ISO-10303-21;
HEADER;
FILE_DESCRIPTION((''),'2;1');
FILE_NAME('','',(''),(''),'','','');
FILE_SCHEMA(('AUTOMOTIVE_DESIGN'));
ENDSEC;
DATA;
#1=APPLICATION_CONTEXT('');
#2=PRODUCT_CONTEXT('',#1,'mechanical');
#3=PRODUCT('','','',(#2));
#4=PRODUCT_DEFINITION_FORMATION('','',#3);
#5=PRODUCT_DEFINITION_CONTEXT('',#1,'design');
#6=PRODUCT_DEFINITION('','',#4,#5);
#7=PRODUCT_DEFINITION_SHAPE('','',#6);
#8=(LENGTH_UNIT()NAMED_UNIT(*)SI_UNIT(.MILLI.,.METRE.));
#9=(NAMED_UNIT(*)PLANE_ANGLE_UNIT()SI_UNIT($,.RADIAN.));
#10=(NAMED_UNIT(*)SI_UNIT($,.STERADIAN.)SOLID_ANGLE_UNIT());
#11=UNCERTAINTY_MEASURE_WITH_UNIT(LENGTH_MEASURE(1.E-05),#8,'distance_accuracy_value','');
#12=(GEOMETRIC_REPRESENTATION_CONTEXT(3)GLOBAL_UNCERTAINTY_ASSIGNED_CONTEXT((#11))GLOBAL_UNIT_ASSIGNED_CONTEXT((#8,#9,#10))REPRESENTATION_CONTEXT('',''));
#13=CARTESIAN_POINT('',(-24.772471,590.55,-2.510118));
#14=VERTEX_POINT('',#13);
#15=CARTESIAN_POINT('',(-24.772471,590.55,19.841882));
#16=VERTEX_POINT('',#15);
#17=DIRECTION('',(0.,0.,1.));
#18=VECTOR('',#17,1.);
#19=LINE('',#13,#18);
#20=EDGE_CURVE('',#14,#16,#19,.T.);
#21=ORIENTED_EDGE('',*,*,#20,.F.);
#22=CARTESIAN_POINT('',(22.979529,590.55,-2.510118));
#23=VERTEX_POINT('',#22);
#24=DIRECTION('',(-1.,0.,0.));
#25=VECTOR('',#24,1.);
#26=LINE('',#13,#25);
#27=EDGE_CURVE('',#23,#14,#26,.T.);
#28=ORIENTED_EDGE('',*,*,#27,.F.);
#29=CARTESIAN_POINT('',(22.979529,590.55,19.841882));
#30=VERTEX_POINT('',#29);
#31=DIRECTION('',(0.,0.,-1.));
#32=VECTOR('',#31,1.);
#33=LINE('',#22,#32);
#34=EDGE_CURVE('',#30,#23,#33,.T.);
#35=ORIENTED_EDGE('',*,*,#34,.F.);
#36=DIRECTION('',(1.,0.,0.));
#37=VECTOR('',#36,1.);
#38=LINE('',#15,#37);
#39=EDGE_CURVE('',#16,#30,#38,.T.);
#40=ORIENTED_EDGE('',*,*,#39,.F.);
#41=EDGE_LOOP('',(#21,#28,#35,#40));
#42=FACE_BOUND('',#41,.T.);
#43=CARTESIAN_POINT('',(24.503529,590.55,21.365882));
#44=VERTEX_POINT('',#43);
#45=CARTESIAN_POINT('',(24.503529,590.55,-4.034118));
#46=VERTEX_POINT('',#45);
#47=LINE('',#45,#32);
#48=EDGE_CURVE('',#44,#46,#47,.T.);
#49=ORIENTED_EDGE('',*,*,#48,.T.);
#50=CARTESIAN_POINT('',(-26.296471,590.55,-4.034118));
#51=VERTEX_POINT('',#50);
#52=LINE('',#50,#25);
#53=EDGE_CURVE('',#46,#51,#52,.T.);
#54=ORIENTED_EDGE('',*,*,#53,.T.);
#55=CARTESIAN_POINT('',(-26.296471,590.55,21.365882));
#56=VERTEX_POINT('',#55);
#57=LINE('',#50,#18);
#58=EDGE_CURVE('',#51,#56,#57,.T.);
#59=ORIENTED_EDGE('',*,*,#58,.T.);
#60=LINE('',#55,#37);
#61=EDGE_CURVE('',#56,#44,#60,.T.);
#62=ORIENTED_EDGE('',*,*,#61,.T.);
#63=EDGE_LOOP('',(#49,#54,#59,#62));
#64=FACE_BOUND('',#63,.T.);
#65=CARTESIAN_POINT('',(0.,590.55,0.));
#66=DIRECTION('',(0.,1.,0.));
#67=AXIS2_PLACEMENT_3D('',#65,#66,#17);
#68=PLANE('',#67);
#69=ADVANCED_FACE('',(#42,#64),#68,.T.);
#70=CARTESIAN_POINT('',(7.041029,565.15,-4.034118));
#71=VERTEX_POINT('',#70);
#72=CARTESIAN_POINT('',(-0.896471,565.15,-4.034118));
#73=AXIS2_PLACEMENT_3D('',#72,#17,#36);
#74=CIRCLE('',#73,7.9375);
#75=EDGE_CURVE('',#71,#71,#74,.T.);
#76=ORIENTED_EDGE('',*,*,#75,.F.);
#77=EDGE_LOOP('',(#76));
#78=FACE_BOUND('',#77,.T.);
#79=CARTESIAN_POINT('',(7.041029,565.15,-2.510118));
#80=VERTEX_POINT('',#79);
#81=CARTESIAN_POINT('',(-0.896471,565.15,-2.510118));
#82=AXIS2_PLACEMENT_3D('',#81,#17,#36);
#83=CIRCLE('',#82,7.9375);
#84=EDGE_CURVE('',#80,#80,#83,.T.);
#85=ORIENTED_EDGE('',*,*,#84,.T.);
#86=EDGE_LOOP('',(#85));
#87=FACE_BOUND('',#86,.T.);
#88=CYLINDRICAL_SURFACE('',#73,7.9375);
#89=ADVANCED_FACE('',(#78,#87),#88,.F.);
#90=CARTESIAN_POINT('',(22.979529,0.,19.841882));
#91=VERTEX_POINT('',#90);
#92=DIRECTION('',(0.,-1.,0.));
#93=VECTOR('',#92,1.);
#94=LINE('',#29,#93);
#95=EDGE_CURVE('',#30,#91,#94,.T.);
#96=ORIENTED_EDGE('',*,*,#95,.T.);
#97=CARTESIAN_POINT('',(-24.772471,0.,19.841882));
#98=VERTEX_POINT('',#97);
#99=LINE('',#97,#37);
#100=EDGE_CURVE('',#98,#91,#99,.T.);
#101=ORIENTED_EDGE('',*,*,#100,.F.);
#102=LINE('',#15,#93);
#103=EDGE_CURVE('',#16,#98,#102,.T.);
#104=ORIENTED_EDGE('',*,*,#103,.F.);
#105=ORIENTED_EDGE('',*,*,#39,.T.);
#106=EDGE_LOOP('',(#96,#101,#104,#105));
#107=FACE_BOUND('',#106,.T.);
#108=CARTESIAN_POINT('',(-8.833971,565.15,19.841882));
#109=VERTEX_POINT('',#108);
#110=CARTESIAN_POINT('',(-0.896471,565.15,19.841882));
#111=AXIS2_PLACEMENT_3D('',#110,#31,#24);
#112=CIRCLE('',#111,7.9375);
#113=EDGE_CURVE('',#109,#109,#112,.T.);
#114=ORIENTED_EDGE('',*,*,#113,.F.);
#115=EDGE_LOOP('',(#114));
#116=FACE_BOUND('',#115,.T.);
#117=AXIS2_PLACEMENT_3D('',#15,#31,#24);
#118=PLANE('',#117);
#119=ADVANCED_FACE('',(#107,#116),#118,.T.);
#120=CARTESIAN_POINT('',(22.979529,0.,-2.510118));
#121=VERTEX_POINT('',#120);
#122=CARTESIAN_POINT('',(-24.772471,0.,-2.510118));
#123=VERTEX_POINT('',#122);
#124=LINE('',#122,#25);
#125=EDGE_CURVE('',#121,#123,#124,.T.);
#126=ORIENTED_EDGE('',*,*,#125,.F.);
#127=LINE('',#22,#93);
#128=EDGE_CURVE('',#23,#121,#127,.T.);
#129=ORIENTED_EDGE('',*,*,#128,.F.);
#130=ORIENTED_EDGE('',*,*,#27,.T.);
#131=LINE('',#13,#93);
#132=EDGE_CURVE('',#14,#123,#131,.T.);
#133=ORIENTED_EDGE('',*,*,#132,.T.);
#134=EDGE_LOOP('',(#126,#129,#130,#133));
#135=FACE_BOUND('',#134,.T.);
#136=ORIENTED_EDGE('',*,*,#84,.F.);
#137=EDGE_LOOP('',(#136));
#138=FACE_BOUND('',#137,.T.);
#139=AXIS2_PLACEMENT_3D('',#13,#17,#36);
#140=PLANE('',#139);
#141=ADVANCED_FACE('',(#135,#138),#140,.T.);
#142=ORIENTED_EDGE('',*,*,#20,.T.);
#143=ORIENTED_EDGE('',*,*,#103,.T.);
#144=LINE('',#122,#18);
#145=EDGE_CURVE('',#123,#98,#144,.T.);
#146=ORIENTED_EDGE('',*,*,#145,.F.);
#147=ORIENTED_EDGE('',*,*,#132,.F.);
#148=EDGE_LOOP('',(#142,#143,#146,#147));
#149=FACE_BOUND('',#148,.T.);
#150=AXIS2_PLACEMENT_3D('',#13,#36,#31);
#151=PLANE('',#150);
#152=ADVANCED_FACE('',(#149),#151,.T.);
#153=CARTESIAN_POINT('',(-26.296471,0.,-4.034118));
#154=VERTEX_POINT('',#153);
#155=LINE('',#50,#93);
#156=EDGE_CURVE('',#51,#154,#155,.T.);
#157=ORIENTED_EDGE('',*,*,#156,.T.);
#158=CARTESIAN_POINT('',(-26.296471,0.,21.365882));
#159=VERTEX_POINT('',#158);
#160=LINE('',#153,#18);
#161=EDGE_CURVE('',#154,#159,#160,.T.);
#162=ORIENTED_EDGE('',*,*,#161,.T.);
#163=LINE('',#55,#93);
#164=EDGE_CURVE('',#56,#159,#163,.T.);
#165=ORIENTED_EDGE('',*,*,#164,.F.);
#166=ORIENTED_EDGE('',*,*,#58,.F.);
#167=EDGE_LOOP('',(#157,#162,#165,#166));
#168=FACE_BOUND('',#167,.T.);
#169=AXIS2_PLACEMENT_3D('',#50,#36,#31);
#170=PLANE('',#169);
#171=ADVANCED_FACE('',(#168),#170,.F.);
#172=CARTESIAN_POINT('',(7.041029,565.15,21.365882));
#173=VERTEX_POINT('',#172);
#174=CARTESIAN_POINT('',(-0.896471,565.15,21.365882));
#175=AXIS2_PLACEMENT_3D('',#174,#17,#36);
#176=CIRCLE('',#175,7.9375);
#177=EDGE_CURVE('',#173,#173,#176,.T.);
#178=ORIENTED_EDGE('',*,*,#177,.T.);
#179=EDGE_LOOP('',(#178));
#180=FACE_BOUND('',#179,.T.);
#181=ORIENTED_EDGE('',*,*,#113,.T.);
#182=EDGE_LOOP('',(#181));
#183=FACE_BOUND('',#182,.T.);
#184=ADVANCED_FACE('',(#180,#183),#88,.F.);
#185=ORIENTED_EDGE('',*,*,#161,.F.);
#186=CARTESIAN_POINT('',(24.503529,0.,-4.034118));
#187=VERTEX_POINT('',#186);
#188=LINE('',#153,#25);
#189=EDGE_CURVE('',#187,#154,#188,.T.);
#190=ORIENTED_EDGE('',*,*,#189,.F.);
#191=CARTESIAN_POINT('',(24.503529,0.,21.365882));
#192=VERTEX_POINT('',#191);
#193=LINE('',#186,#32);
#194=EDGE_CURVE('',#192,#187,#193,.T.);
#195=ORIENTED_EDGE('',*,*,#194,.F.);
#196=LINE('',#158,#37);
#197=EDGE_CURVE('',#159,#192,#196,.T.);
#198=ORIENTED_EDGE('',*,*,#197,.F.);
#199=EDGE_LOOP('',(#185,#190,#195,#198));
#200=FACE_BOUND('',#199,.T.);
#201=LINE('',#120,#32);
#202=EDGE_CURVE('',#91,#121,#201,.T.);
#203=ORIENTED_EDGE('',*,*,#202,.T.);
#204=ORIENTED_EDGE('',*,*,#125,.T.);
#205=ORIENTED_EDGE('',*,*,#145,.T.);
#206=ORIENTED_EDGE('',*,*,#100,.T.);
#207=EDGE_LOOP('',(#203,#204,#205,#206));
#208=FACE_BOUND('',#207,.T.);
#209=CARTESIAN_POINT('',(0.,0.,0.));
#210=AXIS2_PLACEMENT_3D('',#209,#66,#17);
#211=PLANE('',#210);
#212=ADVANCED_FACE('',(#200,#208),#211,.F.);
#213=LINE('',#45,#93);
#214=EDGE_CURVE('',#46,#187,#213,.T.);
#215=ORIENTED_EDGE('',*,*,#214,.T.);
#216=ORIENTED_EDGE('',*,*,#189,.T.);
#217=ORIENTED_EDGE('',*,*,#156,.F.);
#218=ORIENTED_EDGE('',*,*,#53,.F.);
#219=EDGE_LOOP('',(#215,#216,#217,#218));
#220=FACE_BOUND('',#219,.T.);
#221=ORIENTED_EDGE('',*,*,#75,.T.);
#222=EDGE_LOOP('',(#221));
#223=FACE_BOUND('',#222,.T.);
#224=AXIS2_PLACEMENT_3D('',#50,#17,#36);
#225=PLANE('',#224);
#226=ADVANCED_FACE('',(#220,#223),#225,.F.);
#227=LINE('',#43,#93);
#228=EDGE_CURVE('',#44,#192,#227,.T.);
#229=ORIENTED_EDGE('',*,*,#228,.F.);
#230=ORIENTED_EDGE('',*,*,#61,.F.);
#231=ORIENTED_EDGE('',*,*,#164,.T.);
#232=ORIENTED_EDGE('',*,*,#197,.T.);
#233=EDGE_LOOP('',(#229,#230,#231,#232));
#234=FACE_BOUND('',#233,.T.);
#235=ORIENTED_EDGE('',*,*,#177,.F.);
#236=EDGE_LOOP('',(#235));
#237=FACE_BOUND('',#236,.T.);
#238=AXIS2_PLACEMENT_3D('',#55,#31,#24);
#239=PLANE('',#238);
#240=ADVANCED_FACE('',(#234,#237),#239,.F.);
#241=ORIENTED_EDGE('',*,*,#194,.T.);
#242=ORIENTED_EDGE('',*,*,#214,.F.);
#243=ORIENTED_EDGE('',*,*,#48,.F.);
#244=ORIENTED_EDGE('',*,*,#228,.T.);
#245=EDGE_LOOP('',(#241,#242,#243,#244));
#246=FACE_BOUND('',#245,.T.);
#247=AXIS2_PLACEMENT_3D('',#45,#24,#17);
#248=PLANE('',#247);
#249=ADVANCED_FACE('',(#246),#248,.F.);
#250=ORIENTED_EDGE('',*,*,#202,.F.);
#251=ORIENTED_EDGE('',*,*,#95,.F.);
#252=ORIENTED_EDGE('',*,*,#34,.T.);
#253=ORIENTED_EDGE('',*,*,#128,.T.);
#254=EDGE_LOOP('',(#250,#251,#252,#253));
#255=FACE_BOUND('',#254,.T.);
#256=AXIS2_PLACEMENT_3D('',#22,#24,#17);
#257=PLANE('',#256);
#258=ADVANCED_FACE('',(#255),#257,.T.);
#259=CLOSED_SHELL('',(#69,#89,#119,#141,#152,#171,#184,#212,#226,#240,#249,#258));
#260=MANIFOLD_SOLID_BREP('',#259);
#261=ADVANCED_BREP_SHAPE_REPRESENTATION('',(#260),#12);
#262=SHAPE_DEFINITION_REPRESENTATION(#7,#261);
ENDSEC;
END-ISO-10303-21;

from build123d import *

# Parameters (mm, degrees)
SKETCH1_W           = 50.8
SKETCH1_H           = 25.4
SKETCH1_W_2         = 47.752
SKETCH1_H_2         = 22.352
BOSS_EXTRUDE2_DEPTH = 590.55
SKETCH2_R           = 7.9375
CUT_EXTRUDE1_DEPTH  = 26.4


with BuildPart() as part:
    # Sketch1 → Boss-Extrude2 (new body)
    with BuildSketch(Plane(origin=(0, 0, 0), x_dir=(1, 0, 0), z_dir=(0, 1, 0))):
        with Locations((-0.896470588, -8.665882353)):
            Rectangle(SKETCH1_W, SKETCH1_H)
        with Locations((-0.896470588, -8.665882353)):
            Rectangle(SKETCH1_W_2, SKETCH1_H_2, mode=Mode.SUBTRACT)
    extrude(amount=BOSS_EXTRUDE2_DEPTH)

    # Sketch2 → Cut-Extrude1 (cut, through all)
    with BuildSketch(Plane.XY.offset(21.365882353)):
        with Locations((-0.896470588, 565.15)):
            Circle(SKETCH2_R)
    extrude(amount=-CUT_EXTRUDE1_DEPTH, mode=Mode.SUBTRACT)


solid = part.part
